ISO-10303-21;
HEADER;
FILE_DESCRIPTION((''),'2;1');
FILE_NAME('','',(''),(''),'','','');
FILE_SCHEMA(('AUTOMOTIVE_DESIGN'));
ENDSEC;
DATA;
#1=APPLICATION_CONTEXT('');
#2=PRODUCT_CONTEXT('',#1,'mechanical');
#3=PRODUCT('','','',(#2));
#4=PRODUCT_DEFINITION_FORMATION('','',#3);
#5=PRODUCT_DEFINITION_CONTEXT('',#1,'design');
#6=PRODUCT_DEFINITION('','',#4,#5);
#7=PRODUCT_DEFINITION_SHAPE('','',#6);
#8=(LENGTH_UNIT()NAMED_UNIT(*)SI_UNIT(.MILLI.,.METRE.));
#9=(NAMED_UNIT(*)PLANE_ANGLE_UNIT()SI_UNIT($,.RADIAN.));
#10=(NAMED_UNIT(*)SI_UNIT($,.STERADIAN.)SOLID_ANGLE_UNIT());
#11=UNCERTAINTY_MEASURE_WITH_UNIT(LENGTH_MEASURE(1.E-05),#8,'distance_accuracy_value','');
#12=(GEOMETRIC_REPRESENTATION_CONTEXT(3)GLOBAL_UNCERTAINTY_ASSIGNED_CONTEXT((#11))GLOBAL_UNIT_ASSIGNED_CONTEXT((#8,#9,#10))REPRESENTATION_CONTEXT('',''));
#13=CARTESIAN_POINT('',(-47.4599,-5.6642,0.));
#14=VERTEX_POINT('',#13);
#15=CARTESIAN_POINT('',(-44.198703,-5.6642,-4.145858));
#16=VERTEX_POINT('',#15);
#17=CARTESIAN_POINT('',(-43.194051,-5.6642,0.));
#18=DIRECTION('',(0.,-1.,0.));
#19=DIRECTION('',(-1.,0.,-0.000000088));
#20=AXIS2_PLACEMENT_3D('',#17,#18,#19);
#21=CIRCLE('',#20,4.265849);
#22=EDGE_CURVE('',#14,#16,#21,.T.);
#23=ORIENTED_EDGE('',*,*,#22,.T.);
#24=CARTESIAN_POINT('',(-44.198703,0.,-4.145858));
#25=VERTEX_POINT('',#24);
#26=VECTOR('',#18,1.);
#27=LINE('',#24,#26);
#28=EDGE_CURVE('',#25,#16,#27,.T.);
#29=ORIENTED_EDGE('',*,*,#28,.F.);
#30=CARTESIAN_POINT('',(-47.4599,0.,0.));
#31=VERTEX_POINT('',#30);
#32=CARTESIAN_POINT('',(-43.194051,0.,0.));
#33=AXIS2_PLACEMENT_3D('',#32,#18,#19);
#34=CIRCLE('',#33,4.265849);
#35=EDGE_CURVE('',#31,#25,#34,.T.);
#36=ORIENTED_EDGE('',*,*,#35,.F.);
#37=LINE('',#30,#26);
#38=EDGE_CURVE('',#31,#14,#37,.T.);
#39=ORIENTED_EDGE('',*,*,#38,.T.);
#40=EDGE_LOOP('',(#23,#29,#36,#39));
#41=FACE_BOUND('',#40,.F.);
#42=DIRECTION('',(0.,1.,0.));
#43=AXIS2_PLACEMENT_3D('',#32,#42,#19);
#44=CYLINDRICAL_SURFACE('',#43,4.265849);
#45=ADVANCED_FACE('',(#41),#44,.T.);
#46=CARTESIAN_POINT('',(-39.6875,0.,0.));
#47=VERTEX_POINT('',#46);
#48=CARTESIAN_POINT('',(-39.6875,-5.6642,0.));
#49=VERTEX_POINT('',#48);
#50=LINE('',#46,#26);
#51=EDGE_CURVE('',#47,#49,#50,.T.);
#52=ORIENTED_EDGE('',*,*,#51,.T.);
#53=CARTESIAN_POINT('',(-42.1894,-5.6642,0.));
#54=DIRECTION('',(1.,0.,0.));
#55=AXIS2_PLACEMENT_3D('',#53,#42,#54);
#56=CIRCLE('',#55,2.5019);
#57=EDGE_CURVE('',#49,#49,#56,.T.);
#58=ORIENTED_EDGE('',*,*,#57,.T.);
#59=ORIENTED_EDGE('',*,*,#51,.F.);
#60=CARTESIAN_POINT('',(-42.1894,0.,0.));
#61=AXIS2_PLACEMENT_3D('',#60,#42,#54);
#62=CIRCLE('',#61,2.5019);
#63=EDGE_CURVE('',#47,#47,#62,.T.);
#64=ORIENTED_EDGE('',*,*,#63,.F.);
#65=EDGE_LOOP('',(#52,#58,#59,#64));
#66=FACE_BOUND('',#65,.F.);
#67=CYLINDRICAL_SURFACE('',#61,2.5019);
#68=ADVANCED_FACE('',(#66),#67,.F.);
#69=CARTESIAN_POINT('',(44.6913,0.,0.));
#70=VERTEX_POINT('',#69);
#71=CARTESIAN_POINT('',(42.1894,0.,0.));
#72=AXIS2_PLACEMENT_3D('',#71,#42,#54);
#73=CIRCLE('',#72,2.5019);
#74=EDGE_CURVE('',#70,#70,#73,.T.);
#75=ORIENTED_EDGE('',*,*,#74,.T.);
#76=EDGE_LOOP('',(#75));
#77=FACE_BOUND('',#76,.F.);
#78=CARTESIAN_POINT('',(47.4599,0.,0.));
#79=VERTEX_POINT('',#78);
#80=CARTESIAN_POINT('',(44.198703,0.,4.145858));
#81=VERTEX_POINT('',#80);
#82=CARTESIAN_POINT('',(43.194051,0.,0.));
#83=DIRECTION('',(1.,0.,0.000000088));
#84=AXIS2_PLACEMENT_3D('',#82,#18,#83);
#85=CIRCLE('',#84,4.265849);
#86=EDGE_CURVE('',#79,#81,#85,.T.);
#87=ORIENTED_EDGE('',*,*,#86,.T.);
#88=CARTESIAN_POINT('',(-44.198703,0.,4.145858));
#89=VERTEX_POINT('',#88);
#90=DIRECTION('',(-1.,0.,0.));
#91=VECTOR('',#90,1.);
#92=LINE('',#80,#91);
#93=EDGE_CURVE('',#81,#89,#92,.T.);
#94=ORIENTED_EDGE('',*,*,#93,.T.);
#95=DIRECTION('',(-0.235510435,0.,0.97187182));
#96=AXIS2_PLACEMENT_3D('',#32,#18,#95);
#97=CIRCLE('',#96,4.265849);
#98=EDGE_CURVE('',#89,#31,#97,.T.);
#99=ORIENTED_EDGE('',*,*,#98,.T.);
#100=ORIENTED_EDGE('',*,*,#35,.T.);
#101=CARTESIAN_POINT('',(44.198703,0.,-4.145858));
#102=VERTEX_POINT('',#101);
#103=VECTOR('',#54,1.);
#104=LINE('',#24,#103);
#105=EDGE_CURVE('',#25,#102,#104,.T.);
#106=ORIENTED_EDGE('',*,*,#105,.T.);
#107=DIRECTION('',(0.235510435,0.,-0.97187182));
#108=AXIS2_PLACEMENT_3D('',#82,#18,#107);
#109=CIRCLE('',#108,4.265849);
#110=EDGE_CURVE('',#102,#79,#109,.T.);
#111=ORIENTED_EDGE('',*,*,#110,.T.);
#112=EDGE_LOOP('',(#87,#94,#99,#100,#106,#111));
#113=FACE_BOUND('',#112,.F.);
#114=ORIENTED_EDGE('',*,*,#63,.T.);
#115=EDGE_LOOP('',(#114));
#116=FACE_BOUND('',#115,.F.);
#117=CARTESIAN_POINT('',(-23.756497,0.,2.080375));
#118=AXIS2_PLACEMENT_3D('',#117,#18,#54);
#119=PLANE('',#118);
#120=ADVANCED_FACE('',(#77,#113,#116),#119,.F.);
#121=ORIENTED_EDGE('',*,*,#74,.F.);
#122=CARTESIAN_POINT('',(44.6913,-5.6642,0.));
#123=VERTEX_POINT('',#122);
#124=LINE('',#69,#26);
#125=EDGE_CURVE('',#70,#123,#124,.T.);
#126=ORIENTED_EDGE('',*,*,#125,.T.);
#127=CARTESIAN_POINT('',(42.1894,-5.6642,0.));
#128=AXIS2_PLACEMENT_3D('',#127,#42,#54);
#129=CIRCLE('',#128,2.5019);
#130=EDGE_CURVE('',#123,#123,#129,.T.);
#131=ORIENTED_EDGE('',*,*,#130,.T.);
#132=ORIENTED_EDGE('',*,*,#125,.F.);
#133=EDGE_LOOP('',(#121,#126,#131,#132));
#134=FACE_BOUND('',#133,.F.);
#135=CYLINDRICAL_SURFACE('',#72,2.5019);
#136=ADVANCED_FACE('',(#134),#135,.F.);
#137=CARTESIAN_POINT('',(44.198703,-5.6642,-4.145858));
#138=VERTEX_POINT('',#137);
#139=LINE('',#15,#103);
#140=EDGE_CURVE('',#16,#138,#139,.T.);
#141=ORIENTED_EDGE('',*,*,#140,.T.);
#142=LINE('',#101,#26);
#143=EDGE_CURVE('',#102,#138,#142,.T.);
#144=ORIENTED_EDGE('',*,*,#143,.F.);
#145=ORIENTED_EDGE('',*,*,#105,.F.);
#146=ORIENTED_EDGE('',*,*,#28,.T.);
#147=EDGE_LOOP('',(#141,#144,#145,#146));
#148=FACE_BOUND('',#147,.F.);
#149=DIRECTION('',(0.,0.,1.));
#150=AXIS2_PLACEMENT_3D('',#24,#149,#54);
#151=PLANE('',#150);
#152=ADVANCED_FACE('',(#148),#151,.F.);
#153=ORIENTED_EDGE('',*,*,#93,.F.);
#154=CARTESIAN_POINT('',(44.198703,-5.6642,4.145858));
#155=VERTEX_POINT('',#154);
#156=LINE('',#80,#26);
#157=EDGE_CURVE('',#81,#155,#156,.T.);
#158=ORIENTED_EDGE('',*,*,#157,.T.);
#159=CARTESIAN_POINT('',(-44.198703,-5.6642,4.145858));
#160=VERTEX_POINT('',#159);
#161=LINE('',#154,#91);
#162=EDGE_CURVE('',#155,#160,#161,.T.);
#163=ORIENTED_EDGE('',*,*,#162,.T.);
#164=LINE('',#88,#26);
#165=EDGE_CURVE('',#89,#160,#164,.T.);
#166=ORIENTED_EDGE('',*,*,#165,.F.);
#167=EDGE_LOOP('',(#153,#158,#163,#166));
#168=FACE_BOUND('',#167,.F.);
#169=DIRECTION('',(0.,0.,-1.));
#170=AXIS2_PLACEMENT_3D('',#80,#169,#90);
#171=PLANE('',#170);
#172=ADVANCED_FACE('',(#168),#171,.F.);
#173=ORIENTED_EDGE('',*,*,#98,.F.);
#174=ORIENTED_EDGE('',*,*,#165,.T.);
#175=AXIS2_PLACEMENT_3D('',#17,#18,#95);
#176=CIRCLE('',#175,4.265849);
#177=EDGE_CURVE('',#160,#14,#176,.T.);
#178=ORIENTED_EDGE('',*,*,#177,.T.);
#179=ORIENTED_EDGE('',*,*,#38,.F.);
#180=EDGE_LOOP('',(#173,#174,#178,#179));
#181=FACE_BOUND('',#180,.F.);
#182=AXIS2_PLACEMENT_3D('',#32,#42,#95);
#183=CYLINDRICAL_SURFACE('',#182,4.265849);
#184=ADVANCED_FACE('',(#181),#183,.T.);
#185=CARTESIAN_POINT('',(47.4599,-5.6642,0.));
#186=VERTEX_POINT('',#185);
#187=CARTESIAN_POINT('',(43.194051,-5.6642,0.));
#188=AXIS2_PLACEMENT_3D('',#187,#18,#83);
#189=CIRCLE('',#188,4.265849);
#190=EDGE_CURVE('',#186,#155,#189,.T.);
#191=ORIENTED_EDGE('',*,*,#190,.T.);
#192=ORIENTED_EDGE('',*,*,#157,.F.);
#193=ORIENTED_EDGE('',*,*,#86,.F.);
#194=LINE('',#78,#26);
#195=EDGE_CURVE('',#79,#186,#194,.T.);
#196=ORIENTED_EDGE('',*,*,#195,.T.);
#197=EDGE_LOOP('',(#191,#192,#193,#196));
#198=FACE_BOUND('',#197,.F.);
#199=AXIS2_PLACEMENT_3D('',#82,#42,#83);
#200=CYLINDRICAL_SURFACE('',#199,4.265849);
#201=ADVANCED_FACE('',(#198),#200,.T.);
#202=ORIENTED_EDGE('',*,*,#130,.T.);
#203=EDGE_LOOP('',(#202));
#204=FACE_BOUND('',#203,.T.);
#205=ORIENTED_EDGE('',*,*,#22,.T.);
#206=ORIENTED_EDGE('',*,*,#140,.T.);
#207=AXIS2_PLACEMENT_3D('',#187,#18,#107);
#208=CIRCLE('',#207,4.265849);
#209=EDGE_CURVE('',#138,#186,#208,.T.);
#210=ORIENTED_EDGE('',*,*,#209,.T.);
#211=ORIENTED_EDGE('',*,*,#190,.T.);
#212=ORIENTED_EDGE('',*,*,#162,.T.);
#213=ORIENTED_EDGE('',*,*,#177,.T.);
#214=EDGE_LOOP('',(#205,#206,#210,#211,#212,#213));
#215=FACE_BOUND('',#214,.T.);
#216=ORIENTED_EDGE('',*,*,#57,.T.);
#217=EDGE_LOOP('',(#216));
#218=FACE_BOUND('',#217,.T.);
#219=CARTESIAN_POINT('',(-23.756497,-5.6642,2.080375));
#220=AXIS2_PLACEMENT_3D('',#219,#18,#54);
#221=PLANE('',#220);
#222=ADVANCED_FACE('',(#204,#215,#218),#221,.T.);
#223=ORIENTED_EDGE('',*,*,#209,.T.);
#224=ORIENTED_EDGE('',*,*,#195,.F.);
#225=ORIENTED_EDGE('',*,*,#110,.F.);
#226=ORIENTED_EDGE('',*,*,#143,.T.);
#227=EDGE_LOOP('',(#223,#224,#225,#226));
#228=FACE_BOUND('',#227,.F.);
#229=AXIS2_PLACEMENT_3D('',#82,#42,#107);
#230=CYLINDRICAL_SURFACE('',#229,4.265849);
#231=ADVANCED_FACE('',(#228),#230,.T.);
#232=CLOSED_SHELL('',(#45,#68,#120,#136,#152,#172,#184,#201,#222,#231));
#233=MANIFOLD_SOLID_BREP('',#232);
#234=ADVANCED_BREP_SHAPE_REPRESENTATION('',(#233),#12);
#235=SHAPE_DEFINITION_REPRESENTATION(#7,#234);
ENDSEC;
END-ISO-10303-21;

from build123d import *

# Parameters (mm, degrees)
F1_DEPTH = 5.6642


with BuildPart() as f1:
    # F0 (on Front) → F1 (new body)
    with BuildSketch(Plane.XZ):
        with BuildLine():
            Line((-39.6875, 0), (0, 0))
            Line((0, 0), (0, 4.145858))
            Line((0, 4.145858), (-42.1894, 4.145858))
            Line((-42.1894, 4.145858), (-44.198703, 4.145858))
            ThreePointArc((-44.198703, 4.145858), (-46.546897, 2.637402), (-47.4599, 0))
            Line((-47.4599, 0), (-44.6913, 0))
            ThreePointArc((-44.6913, 0), (-42.1894, 2.5019), (-39.6875, 0))
        make_face()
        with BuildLine():
            Line((0, -4.145858), (0, 0))
            Line((0, 0), (-39.6875, 0))
            ThreePointArc((-39.6875, 0), (-42.1894, -2.5019), (-44.6913, 0))
            Line((-44.6913, 0), (-47.4599, 0))
            ThreePointArc((-47.4599, 0), (-46.546897, -2.637402), (-44.198703, -4.145858))
            Line((-44.198703, -4.145858), (-42.1894, -4.145858))
            Line((-42.1894, -4.145858), (0, -4.145858))
        make_face()
        with BuildLine():
            ThreePointArc((39.6875, 0), (42.1894, 2.5019), (44.6913, 0))
            Line((44.6913, 0), (47.4599, 0))
            ThreePointArc((47.4599, 0), (46.546897, 2.637402), (44.198703, 4.145858))
            Line((44.198703, 4.145858), (42.1894, 4.145858))
            Line((42.1894, 4.145858), (0, 4.145858))
            Line((0, 4.145858), (0, 0))
            Line((0, 0), (39.6875, 0))
        make_face()
        with BuildLine():
            Line((47.4599, 0), (44.6913, 0))
            ThreePointArc((44.6913, 0), (42.1894, -2.5019), (39.6875, 0))
            Line((39.6875, 0), (0, 0))
            Line((0, 0), (0, -4.145858))
            Line((0, -4.145858), (42.1894, -4.145858))
            Line((42.1894, -4.145858), (44.198703, -4.145858))
            ThreePointArc((44.198703, -4.145858), (46.546897, -2.637402), (47.4599, 0))
        make_face()
    extrude(amount=F1_DEPTH)


solid = f1.part
